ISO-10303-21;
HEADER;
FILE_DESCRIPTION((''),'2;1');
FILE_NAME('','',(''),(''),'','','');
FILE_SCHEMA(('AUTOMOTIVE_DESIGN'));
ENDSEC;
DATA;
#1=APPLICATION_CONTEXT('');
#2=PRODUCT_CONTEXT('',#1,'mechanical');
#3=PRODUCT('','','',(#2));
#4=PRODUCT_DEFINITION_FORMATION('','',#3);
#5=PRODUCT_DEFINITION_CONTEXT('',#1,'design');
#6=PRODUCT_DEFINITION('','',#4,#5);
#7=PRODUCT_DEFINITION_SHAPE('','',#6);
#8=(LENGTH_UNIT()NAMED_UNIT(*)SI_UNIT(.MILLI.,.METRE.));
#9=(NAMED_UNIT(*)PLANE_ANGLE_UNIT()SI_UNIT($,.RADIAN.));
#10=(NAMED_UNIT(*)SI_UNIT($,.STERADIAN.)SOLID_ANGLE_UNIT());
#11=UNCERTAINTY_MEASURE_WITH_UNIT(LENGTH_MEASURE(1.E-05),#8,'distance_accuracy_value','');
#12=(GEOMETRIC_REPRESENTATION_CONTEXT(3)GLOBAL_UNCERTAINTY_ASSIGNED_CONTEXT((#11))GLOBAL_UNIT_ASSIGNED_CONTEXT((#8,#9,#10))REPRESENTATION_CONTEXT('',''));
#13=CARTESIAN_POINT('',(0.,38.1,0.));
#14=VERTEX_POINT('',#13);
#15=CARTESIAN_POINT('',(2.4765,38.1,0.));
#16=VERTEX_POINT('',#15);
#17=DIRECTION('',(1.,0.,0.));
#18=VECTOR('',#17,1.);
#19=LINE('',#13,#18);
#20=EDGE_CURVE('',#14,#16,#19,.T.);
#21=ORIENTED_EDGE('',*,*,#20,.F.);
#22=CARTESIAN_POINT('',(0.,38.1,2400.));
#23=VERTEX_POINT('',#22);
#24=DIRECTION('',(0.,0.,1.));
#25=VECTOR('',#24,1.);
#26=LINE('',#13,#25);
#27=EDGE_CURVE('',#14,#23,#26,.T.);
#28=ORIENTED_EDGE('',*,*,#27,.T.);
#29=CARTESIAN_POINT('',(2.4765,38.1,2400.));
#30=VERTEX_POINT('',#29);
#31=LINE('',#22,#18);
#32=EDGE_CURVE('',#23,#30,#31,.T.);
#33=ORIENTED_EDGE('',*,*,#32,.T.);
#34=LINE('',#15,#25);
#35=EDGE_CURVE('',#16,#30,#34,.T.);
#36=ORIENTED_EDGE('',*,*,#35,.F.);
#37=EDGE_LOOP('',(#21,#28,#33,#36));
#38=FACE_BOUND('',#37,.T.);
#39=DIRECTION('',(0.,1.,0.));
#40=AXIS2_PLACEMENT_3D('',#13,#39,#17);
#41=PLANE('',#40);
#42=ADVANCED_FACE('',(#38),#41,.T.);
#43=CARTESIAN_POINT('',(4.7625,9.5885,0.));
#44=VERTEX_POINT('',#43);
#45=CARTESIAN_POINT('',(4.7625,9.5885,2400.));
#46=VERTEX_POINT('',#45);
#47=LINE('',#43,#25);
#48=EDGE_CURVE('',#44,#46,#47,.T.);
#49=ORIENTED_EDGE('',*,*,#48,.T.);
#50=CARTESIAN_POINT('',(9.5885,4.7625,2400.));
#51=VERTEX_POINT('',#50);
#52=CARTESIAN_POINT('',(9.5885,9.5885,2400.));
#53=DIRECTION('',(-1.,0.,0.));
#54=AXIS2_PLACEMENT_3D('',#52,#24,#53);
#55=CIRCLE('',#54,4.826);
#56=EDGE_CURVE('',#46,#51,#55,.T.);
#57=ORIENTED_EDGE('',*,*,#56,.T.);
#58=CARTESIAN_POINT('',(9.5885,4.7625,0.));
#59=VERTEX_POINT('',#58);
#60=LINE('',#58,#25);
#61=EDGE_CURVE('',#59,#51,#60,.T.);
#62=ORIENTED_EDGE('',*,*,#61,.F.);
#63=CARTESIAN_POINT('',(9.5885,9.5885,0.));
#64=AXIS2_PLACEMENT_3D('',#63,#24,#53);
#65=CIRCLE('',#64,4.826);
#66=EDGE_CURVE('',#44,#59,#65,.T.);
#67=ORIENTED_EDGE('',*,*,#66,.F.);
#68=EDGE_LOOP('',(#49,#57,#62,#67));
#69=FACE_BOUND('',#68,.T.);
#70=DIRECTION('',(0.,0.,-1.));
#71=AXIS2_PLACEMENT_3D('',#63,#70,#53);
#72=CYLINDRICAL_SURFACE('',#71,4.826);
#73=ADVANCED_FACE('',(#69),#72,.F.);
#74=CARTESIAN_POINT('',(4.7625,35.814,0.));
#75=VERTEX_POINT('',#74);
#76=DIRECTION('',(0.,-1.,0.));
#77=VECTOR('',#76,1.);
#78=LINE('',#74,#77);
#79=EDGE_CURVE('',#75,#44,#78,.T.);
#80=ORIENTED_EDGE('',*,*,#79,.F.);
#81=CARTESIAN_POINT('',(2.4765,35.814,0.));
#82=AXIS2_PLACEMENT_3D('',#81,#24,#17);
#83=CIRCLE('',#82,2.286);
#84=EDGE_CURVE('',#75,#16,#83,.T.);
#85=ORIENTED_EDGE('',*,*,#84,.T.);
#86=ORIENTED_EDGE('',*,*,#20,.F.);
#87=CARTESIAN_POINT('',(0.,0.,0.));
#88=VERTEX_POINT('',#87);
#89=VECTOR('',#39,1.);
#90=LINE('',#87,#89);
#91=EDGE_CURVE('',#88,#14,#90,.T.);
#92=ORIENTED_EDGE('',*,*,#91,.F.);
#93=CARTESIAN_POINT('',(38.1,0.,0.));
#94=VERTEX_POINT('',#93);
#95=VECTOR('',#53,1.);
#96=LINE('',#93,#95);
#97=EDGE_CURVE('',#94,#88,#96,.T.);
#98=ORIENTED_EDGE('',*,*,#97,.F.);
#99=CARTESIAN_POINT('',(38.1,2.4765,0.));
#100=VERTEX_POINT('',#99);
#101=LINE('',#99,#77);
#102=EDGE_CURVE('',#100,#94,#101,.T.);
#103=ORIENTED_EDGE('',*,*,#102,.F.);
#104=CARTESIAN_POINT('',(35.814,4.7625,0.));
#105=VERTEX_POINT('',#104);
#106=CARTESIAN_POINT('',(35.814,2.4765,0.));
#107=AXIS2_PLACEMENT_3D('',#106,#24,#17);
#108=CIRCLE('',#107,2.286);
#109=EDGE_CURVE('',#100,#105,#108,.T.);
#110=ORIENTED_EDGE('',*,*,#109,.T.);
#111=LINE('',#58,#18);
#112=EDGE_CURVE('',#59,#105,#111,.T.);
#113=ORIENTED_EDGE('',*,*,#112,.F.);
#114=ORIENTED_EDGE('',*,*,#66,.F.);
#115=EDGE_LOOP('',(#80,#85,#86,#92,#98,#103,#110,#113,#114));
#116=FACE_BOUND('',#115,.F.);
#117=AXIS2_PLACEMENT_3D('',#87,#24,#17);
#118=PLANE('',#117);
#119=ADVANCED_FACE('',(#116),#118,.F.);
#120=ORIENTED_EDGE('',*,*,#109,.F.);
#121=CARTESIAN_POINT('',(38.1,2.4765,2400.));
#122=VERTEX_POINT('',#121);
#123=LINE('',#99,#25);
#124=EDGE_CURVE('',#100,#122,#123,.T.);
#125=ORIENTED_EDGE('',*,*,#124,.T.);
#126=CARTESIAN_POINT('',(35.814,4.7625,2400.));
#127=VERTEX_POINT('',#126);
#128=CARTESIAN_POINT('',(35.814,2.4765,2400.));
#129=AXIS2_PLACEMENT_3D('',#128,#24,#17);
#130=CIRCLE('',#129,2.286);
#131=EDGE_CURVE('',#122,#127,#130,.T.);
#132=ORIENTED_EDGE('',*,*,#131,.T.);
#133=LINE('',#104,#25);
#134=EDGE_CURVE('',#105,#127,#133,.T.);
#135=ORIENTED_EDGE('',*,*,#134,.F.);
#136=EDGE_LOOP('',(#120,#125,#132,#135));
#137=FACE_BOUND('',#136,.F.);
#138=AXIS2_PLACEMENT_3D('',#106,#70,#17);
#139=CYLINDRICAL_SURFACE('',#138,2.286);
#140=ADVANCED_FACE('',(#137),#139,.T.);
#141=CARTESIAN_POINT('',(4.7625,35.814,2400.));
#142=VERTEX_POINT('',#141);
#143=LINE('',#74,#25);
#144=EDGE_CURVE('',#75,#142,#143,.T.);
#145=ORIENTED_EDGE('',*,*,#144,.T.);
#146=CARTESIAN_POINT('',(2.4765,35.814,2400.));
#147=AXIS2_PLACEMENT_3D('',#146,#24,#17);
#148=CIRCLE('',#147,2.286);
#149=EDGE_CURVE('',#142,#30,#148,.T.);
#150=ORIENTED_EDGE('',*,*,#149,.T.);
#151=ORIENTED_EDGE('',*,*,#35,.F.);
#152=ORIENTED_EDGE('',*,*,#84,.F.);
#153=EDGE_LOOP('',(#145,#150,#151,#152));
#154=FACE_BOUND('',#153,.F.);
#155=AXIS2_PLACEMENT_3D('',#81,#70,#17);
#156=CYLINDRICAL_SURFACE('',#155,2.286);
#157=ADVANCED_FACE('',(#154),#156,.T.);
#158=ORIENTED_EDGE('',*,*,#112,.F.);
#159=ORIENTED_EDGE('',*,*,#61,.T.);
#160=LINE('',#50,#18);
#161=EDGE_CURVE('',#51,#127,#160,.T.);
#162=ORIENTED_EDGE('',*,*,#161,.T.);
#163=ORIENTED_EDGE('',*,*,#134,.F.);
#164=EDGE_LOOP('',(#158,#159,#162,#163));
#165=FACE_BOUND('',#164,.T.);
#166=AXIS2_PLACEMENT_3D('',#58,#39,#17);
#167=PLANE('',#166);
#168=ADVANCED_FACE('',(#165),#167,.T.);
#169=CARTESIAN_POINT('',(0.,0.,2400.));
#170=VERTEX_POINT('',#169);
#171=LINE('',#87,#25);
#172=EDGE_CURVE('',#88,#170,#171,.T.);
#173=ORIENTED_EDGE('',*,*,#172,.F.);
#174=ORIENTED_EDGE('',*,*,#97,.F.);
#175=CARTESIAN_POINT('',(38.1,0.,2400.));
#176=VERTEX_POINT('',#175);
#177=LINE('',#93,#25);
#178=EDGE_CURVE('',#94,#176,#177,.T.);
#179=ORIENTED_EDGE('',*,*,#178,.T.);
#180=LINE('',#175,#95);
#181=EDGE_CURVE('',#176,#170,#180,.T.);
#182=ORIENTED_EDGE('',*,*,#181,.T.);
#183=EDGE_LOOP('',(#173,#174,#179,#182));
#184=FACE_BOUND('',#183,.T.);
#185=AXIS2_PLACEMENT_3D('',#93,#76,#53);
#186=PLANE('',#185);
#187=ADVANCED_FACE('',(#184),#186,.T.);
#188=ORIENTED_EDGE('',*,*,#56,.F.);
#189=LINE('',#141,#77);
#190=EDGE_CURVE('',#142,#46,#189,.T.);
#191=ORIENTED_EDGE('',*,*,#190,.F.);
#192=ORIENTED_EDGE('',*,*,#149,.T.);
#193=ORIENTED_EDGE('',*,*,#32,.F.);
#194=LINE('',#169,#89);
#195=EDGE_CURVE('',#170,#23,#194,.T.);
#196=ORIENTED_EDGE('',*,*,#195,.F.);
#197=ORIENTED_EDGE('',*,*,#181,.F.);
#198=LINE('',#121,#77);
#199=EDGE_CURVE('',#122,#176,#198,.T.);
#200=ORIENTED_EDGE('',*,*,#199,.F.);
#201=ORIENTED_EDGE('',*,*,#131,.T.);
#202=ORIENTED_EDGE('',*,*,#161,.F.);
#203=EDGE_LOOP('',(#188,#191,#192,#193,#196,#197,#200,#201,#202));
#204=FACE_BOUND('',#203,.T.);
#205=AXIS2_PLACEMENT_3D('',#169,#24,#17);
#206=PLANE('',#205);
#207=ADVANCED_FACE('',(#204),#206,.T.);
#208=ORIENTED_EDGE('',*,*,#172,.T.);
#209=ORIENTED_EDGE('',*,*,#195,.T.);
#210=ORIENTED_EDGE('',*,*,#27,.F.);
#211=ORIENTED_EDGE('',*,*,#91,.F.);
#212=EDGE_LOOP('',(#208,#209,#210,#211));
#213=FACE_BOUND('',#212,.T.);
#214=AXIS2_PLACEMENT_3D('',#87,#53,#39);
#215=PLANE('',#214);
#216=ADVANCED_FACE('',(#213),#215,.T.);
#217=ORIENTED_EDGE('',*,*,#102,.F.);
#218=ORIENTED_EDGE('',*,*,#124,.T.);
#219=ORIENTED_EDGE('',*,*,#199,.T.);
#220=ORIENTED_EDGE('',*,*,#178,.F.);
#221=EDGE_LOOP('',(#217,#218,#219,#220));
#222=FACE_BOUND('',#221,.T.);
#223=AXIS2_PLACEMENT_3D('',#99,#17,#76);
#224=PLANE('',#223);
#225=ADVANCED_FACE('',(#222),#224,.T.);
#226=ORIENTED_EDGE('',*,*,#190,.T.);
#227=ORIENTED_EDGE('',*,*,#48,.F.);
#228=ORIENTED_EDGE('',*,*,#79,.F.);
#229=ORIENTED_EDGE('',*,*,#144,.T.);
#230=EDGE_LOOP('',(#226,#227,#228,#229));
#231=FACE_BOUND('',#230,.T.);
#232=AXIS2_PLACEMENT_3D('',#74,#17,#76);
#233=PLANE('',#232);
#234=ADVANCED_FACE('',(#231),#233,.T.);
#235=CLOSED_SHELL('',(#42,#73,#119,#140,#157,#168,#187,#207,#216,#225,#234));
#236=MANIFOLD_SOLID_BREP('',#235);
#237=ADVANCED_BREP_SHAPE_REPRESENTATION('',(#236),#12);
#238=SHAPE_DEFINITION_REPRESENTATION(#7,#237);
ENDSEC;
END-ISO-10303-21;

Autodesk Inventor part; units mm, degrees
ref_plane "Plano inicial" through (0, 0, 0) normal (0, 0, 1) x (1, 0, 0)
ref_plane "Plano final" through (0, 0, 2400) normal (0, 0, 1) x (1, 0, 0)
sketch "Boceto" plane through (0, 0, 0) normal (0, 0, 1) x (1, 0, 0)
  line L0 (38.1, 0) -> (0, 0)
  line L1 (0, 0) -> (0, 38.1)
  line L2 (0, 38.1) -> (2.4765, 38.1)
  line L3 (4.7625, 35.814) -> (4.7625, 9.5885)
  line L4 (9.5885, 4.7625) -> (35.814, 4.7625)
  line L5 (38.1, 2.4765) -> (38.1, 0)
  line L6 (0, -11.0414) -> (0, 31.5385) construction
  line L7 (-11.0414, 0) -> (31.5385, 0) construction
  arc A0 (4.7625, 9.5885) -> (9.5885, 4.7625) centre (9.5885, 9.5885) ccw
  arc A1 (4.7625, 35.814) -> (2.4765, 38.1) centre (2.4765, 35.814) ccw
  arc A2 (38.1, 2.4765) -> (35.814, 4.7625) centre (35.814, 2.4765) ccw
  line L8 (0, 48.4964) -> (0, -20.9644) construction
  line L9 (-20.9644, 0) -> (48.4964, 0) construction
  point P0 (4.7625, 38.1)
  point P1 (4.7625, 4.7625)
  point P2 (38.1, 4.7625)
  dimension "d0" = 38.1
  dimension "d1" = 38.1
  dimension "d2" = 4.7625
  dimension "d3" = 4.7625
  dimension "d10" = 0
  dimension "d11" = 0
  dimension "d14" = 4.826
  dimension "d15" = 2.286
extrude "Cuerpo" add sketch "Boceto" along normal up to surface (2400 mm away) from surface at 0
sketch "Sketch3" plane through (0, 0, 0) normal (0, 0, 1) x (1, 0, 0)
  line L0 (0, 0) -> (10, 0)
ref_plane "Work Plane3" through (0, 0, 0) normal (0, -1, 0) x (1, 0, 0)
sketch "Sketch4" plane through (0, 0, 0) normal (0, -1, 0) x (1, 0, 0)
  line L0 (-2, 0) -> (12, 0)
  line L1 (-2, 2400) -> (12, 2400)
  dimension "d17" = 2400
sketch "Boceto5" plane through (0, 0, 2400) normal (0, 0, 1) x (1, 0, 0)
  line L0 (0, 0) -> (0, 38.1) projected
  circle A0 centre (0, 0) radius 57.437
ref_plane "Plano de trabajo4" through (4.8672, 4.8672, 1401) normal (0, 0, 1) x (1, 0, 0)
equation "\"d0\" = G_H"
equation "\"d1\" = G_H"
equation "\"d2\" = G_T"
equation "\"d3\" = G_T"
equation "\"d14\" = G_IR"
equation "\"d15\" = G_ER"
equation "\"d4\" = G_L"
equation "\"G_H\" = 38.1"
equation "\"G_T\" = 4.7625"
equation "\"G_ER\" = 2.286"
equation "\"G_IR\" = 4.826"
equation "\"G_L\" = d17"
equation "\"ex\" = 0"
equation "\"G_OFFSET_START\" = 0"
equation "\"G_OFFSET_END\" = 0"
properties part number "AISC - L 1,5 x 1,5 x 3/16 - 94,488" material "Acero, suave"
